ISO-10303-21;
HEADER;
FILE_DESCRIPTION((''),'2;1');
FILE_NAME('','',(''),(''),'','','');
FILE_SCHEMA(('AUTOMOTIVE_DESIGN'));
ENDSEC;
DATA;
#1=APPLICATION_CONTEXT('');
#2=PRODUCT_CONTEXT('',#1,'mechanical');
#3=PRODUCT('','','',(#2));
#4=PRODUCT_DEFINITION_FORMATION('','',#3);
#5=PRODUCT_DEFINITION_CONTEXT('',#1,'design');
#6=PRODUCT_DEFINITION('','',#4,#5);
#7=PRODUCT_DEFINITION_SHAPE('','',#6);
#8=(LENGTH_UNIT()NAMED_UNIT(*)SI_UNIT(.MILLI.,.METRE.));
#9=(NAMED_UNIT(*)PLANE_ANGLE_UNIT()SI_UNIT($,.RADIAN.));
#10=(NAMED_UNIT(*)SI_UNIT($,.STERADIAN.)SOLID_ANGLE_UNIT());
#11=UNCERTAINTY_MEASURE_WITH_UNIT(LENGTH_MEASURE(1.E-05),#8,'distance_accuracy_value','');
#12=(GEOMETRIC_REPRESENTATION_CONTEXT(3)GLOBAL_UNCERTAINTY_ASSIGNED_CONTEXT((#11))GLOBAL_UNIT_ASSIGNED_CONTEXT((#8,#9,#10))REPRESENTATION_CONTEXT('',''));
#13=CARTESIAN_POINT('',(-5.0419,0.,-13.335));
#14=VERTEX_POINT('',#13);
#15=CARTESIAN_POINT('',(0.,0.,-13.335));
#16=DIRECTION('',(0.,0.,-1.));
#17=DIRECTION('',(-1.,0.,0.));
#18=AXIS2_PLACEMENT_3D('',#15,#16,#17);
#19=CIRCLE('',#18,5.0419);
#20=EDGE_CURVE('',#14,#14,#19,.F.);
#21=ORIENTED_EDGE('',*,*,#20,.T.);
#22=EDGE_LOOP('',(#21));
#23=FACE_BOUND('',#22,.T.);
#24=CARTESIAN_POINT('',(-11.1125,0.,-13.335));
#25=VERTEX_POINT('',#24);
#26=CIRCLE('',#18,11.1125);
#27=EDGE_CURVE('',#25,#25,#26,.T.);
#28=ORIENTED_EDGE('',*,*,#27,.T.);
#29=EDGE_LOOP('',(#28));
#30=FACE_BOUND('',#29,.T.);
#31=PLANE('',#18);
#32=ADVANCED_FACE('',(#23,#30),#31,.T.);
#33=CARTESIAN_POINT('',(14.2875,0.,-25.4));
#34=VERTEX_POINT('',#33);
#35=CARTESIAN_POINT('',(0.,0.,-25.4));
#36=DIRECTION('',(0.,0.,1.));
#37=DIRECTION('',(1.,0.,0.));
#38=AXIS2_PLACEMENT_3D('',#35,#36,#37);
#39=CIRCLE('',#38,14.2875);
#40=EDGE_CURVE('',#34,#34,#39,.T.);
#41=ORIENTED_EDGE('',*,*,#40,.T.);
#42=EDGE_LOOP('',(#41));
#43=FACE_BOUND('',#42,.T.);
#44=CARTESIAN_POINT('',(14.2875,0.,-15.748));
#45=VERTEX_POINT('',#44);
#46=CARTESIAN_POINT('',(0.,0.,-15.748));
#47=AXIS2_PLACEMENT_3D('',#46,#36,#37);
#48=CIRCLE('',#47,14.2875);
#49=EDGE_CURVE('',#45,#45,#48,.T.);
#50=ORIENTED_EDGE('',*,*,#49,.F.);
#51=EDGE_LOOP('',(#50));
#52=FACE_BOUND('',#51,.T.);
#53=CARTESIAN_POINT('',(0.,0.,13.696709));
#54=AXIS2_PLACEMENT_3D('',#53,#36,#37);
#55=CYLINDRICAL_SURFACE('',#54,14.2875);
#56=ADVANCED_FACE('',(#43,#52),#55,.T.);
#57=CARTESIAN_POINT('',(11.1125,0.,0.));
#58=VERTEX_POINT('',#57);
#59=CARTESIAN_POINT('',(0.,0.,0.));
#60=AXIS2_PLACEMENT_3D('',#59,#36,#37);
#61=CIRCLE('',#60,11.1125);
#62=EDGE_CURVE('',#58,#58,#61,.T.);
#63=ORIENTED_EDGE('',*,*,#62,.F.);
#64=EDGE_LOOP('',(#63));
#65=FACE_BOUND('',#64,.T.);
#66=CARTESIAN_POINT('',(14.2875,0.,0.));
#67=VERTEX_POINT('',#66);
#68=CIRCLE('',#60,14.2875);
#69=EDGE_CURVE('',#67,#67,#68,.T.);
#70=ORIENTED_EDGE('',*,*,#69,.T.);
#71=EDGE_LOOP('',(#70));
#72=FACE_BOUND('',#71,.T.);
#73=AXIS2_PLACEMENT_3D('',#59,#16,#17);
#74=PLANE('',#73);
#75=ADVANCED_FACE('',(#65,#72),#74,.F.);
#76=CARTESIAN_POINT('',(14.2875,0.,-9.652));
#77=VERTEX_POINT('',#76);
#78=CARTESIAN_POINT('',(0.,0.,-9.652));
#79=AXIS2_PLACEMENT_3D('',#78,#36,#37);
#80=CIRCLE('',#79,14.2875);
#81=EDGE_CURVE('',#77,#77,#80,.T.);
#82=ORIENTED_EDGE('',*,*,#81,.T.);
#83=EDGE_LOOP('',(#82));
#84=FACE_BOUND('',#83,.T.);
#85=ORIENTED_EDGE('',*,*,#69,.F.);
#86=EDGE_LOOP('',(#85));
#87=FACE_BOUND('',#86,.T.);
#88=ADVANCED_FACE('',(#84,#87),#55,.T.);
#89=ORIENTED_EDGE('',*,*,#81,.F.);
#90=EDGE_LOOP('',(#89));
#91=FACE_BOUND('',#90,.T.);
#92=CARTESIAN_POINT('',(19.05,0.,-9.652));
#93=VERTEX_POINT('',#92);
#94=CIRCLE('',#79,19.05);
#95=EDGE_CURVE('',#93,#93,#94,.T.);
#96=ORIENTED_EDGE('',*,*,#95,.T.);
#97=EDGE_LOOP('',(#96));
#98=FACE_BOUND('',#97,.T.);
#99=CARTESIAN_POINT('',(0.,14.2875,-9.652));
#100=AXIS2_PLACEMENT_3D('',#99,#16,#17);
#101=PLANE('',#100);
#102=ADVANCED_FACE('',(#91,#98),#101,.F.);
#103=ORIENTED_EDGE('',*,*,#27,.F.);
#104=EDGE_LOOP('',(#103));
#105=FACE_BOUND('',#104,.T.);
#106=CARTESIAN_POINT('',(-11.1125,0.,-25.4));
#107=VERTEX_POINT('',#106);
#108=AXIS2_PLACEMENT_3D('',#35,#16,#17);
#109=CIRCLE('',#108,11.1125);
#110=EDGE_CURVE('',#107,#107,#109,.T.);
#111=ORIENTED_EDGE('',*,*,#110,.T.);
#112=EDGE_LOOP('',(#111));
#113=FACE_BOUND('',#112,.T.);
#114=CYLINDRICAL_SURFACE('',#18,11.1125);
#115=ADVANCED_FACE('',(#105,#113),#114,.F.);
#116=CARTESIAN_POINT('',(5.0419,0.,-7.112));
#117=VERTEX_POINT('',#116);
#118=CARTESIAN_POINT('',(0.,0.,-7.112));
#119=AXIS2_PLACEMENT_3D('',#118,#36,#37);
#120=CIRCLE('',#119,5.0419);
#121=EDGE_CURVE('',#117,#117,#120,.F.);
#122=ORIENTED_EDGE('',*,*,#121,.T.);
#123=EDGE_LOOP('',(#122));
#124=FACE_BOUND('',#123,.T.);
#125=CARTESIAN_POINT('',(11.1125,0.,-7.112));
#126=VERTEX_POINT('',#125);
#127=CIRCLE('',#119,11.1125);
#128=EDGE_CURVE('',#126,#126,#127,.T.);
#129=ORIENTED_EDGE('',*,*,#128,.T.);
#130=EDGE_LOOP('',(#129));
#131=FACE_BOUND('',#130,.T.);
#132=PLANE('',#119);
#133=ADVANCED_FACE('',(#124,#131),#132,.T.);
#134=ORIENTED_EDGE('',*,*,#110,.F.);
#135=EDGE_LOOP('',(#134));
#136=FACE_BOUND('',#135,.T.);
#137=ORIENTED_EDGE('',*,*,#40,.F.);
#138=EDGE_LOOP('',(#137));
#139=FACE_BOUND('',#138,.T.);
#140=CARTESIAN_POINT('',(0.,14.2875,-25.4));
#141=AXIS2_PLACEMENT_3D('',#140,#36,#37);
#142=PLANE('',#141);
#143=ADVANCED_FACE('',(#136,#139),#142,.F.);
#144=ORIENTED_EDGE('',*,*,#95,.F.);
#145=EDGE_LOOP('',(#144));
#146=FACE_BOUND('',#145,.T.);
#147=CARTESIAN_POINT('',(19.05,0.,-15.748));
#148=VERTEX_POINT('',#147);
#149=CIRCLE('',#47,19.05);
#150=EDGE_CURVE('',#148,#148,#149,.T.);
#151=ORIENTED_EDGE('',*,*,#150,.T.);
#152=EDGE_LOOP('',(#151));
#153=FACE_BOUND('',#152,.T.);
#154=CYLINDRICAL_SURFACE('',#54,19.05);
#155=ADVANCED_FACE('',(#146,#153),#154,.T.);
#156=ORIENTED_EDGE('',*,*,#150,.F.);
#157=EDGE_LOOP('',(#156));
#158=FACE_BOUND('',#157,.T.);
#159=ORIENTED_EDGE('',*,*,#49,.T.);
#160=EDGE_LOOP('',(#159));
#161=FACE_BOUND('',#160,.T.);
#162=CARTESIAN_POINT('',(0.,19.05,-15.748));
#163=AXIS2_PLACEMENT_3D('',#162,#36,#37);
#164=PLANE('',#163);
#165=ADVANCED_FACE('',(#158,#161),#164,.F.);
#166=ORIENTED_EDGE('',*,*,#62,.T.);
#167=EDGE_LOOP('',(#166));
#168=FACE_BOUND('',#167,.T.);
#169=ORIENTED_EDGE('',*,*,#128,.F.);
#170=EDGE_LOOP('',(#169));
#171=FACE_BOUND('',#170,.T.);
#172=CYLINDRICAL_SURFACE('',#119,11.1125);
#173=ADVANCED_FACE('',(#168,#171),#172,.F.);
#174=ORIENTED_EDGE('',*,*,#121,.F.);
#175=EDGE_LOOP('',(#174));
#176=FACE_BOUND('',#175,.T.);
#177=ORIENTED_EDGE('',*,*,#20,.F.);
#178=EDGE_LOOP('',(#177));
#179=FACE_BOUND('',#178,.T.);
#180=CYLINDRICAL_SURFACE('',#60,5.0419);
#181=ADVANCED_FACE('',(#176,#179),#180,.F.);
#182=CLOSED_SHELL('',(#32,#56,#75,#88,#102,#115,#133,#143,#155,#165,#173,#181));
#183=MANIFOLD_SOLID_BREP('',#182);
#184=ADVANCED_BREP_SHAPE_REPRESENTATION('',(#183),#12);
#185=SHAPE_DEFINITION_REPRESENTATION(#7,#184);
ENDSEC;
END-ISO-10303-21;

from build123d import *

# Parameters (mm, degrees)
F_3_8_CLEARANCE_HOLE1_D     = 10.0838
F_3_8_CLEARANCE_HOLE1_DEPTH = 25.4
SKETCH6_R                   = 11.1125
CUT_EXTRUDE1_DEPTH          = 7.112
SKETCH7_R                   = 11.1125
CUT_EXTRUDE2_DEPTH          = 12.065


with BuildPart() as part:
    # Sketch1 → Revolve1 (revolve)
    with BuildSketch(Plane(origin=(0, 0, 0), x_dir=(0, 0, -1), z_dir=(1, 0, 0))):
        Polygon((0, 0), (0, 14.2875), (9.652, 14.2875), (9.652, 19.05), (15.748, 19.05), (15.748, 14.2875), (25.4, 14.2875), (25.4, 0), align=None)
    revolve(axis=Axis((0, 0, 13.696708861), (0, 0, -1)))

    # 3/8 Clearance Hole1
    with Locations(Plane.XY):
        with Locations((0, 0)):
            Hole(F_3_8_CLEARANCE_HOLE1_D / 2, depth=F_3_8_CLEARANCE_HOLE1_DEPTH)

    # Sketch6 → Cut-Extrude1 (cut)
    with BuildSketch(Plane.XY):
        Circle(SKETCH6_R)
    extrude(amount=-CUT_EXTRUDE1_DEPTH, mode=Mode.SUBTRACT)

    # Sketch7 → Cut-Extrude2 (cut)
    with BuildSketch(Plane(origin=(0, 0, -25.4), x_dir=(-1, 0, 0), z_dir=(0, 0, -1))):
        Circle(SKETCH7_R)
    extrude(amount=-CUT_EXTRUDE2_DEPTH, mode=Mode.SUBTRACT)


solid = part.part
